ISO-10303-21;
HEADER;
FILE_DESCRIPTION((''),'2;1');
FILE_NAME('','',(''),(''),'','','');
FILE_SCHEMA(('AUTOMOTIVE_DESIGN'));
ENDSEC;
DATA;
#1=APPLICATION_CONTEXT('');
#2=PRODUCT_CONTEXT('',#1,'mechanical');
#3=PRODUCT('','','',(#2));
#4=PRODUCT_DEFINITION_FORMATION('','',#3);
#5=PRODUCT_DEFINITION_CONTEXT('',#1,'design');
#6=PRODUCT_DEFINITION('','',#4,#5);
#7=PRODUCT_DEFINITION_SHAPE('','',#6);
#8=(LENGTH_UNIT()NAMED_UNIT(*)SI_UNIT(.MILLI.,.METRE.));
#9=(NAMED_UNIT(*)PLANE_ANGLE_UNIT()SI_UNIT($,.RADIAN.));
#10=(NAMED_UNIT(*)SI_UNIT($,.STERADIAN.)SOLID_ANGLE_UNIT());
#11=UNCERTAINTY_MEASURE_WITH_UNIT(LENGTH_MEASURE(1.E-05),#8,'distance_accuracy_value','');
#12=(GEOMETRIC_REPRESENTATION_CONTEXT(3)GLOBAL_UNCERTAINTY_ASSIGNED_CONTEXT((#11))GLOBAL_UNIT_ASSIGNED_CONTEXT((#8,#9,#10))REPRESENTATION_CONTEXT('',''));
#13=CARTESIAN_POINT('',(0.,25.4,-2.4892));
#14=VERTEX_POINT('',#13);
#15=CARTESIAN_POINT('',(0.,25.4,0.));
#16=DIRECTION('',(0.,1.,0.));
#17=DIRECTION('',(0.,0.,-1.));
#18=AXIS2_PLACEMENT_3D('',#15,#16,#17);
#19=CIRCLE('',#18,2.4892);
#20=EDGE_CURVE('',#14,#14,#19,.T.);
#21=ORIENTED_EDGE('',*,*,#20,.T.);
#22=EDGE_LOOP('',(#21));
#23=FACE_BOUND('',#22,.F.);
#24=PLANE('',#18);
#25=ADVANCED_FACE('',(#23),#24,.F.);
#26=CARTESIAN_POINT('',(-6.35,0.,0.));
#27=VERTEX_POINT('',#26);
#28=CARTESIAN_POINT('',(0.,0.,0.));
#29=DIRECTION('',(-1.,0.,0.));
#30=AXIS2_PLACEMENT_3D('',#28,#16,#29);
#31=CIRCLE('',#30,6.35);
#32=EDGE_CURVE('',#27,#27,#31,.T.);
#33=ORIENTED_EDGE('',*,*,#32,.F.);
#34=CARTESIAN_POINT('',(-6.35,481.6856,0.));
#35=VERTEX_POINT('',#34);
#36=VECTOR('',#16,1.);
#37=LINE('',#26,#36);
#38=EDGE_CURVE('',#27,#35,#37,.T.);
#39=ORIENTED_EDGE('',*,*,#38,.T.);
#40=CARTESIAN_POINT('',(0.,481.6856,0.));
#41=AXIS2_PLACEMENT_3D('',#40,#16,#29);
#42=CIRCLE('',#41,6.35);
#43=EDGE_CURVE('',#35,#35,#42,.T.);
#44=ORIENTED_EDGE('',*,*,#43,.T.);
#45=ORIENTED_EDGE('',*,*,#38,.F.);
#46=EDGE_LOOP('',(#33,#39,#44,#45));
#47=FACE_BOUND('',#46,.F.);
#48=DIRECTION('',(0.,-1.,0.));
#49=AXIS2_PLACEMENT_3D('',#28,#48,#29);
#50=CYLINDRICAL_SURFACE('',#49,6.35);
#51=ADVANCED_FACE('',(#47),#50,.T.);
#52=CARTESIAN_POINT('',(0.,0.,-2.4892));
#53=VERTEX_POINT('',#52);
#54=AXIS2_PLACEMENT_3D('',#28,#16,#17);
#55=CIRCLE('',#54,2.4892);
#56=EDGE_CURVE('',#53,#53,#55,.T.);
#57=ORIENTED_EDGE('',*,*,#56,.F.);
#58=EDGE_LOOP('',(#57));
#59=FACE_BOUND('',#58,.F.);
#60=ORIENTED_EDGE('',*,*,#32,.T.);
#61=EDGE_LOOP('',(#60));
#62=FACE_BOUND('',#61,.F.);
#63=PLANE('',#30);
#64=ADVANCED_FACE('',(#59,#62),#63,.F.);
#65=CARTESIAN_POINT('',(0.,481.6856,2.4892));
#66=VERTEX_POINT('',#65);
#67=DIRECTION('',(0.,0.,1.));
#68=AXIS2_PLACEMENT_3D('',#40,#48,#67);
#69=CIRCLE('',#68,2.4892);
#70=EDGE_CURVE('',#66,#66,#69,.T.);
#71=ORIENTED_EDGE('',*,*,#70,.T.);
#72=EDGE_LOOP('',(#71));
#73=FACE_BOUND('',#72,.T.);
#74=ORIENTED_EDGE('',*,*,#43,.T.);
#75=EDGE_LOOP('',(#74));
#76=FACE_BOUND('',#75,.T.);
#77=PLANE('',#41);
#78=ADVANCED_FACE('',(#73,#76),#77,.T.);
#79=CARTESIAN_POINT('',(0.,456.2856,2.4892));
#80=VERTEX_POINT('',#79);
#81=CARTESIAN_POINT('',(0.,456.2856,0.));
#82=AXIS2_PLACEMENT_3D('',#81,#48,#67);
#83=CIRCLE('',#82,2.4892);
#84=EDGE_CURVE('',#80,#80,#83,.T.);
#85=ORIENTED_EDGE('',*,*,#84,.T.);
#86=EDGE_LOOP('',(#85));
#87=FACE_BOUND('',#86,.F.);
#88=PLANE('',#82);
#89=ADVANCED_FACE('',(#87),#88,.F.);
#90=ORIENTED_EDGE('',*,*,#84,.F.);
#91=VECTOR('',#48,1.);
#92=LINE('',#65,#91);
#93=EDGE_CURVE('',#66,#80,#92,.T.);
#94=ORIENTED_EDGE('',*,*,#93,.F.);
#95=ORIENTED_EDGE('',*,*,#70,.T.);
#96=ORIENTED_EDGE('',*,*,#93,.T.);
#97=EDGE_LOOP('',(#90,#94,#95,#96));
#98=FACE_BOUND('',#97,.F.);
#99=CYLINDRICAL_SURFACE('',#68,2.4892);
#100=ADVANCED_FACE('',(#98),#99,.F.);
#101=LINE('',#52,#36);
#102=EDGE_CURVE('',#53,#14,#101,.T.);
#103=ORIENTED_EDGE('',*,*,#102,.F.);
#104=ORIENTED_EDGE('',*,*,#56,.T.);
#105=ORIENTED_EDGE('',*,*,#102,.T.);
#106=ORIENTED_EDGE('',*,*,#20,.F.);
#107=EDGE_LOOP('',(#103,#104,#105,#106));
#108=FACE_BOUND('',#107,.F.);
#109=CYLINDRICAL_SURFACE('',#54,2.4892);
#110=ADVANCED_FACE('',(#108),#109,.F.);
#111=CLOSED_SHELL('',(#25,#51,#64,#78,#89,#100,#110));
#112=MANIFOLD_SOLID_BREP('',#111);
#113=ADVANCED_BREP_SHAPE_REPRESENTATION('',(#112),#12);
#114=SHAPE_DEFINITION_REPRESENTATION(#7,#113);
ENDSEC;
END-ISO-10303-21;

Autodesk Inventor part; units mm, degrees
ref_plane "YZ Plane" through (0, 0, 0) normal (1, 0, 0) x (0, 1, 0)
ref_plane "XZ Plane" through (0, 0, 0) normal (0, 1, 0) x (-1, 0, 0)
ref_plane "XY Plane" through (0, 0, 0) normal (0, 0, 1) x (1, 0, 0)
sketch "Sketch1" plane through (0, 0, 0) normal (0, 1, 0) x (-1, 0, 0)
  circle A0 centre (0, 0) radius 6.35
  dimension "d0" = 12.7
extrude "Extrusion1" add sketch "Sketch1" along normal blind 481.6856
sketch "Sketch2" plane through (0, 0, 0) normal (0, -1, 0) x (1, 0, 0)
  point P0 (0, 0)
  point P1 (0, 0)
hole "Hole1" at (0, 0, 0) direction (0, 1, 0) diameter 4.9784 depth 25.4 thread size "1/4-20 UNC" class "2B" standard "ANSI Unified Screw Threads"
sketch "Sketch3" plane through (0, 481.6856, 0) normal (0, 1, 0) x (1, 0, 0)
  point P0 (0, 0)
  point P1 (0, 0)
hole "Hole2" at (0, 481.6856, 0) direction (0, -1, 0) diameter 4.9784 depth 25.4 thread size "1/4-20 UNC" class "2B" standard "ANSI Unified Screw Threads"
properties part number "Intake BeaterBar" material "Aluminum 7075"
